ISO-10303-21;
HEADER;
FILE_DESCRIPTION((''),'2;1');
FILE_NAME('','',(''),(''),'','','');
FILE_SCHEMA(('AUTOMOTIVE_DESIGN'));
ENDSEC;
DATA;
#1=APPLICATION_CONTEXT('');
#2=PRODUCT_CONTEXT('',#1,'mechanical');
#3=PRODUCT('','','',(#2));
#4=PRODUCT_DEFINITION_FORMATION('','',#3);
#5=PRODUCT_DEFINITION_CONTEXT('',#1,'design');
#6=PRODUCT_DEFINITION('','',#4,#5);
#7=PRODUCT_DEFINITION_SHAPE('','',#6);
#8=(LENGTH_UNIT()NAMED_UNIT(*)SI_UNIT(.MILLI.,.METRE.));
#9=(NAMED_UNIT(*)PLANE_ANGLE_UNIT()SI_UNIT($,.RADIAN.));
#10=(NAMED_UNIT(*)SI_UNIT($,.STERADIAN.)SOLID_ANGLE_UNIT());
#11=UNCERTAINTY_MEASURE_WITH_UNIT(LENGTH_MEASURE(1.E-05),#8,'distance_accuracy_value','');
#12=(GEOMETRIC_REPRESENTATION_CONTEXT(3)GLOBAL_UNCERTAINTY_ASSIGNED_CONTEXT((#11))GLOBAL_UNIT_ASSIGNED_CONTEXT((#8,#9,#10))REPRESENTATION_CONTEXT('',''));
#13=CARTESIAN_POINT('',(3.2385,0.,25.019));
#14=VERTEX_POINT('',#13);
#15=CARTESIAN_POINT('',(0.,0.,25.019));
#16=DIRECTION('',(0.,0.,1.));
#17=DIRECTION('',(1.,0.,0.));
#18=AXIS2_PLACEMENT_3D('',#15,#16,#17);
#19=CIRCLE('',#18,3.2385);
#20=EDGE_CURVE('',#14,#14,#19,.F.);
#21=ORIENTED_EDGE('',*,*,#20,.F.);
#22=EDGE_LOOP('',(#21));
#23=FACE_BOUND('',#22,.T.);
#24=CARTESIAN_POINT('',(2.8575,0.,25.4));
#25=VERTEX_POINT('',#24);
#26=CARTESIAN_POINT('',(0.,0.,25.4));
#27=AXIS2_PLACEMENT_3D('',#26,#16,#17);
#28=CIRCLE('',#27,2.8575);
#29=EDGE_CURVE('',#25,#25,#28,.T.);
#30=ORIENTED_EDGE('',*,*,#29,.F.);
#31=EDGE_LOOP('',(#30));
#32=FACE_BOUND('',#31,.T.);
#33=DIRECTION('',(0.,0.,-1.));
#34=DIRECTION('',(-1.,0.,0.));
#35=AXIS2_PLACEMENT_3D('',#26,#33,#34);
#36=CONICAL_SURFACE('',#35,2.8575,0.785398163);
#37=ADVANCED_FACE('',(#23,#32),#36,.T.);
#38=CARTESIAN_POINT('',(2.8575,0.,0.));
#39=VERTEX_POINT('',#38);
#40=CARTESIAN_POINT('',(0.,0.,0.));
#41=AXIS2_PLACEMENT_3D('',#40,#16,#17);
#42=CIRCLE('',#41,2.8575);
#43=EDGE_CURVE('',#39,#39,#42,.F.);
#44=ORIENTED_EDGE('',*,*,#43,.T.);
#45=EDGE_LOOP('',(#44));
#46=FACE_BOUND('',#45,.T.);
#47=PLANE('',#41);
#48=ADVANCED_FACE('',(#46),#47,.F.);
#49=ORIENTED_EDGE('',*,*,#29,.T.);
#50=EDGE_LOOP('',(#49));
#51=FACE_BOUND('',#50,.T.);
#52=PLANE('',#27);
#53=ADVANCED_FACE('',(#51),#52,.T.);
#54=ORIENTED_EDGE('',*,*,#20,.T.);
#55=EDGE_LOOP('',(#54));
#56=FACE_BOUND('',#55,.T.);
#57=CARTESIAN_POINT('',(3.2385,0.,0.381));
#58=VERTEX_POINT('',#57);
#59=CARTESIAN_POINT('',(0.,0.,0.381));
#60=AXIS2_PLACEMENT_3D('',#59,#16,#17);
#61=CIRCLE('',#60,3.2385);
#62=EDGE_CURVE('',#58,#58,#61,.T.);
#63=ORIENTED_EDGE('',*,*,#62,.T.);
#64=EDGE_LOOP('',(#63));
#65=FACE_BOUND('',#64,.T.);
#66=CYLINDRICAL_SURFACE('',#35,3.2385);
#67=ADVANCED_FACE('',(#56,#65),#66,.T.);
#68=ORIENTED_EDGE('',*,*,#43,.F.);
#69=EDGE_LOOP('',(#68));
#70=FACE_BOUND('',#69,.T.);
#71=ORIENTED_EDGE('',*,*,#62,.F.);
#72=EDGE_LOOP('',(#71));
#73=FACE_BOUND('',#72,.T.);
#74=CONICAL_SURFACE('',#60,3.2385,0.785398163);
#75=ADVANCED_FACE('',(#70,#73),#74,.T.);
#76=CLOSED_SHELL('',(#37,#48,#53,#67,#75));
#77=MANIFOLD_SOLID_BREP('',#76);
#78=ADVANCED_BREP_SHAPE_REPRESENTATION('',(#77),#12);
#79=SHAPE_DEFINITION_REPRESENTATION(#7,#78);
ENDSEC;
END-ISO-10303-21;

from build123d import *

# Parameters (mm, degrees)
SKETCH1_R           = 3.2385
BOSS_EXTRUDE1_DEPTH = 25.4
CHAMFER1_SIZE       = 0.381


with BuildPart() as part:
    # Sketch1 → Boss-Extrude1 (new body)
    with BuildSketch(Plane.XY):
        Circle(SKETCH1_R)
    extrude(amount=BOSS_EXTRUDE1_DEPTH)

    # Chamfer1
    chamfer1_edges = [part.edges().sort_by_distance(p)[0] for p in [
        (-3.2385, 0, 0),
        (-3.2385, 0, 25.4),
    ]]
    chamfer(chamfer1_edges, length=CHAMFER1_SIZE)


solid = part.part
